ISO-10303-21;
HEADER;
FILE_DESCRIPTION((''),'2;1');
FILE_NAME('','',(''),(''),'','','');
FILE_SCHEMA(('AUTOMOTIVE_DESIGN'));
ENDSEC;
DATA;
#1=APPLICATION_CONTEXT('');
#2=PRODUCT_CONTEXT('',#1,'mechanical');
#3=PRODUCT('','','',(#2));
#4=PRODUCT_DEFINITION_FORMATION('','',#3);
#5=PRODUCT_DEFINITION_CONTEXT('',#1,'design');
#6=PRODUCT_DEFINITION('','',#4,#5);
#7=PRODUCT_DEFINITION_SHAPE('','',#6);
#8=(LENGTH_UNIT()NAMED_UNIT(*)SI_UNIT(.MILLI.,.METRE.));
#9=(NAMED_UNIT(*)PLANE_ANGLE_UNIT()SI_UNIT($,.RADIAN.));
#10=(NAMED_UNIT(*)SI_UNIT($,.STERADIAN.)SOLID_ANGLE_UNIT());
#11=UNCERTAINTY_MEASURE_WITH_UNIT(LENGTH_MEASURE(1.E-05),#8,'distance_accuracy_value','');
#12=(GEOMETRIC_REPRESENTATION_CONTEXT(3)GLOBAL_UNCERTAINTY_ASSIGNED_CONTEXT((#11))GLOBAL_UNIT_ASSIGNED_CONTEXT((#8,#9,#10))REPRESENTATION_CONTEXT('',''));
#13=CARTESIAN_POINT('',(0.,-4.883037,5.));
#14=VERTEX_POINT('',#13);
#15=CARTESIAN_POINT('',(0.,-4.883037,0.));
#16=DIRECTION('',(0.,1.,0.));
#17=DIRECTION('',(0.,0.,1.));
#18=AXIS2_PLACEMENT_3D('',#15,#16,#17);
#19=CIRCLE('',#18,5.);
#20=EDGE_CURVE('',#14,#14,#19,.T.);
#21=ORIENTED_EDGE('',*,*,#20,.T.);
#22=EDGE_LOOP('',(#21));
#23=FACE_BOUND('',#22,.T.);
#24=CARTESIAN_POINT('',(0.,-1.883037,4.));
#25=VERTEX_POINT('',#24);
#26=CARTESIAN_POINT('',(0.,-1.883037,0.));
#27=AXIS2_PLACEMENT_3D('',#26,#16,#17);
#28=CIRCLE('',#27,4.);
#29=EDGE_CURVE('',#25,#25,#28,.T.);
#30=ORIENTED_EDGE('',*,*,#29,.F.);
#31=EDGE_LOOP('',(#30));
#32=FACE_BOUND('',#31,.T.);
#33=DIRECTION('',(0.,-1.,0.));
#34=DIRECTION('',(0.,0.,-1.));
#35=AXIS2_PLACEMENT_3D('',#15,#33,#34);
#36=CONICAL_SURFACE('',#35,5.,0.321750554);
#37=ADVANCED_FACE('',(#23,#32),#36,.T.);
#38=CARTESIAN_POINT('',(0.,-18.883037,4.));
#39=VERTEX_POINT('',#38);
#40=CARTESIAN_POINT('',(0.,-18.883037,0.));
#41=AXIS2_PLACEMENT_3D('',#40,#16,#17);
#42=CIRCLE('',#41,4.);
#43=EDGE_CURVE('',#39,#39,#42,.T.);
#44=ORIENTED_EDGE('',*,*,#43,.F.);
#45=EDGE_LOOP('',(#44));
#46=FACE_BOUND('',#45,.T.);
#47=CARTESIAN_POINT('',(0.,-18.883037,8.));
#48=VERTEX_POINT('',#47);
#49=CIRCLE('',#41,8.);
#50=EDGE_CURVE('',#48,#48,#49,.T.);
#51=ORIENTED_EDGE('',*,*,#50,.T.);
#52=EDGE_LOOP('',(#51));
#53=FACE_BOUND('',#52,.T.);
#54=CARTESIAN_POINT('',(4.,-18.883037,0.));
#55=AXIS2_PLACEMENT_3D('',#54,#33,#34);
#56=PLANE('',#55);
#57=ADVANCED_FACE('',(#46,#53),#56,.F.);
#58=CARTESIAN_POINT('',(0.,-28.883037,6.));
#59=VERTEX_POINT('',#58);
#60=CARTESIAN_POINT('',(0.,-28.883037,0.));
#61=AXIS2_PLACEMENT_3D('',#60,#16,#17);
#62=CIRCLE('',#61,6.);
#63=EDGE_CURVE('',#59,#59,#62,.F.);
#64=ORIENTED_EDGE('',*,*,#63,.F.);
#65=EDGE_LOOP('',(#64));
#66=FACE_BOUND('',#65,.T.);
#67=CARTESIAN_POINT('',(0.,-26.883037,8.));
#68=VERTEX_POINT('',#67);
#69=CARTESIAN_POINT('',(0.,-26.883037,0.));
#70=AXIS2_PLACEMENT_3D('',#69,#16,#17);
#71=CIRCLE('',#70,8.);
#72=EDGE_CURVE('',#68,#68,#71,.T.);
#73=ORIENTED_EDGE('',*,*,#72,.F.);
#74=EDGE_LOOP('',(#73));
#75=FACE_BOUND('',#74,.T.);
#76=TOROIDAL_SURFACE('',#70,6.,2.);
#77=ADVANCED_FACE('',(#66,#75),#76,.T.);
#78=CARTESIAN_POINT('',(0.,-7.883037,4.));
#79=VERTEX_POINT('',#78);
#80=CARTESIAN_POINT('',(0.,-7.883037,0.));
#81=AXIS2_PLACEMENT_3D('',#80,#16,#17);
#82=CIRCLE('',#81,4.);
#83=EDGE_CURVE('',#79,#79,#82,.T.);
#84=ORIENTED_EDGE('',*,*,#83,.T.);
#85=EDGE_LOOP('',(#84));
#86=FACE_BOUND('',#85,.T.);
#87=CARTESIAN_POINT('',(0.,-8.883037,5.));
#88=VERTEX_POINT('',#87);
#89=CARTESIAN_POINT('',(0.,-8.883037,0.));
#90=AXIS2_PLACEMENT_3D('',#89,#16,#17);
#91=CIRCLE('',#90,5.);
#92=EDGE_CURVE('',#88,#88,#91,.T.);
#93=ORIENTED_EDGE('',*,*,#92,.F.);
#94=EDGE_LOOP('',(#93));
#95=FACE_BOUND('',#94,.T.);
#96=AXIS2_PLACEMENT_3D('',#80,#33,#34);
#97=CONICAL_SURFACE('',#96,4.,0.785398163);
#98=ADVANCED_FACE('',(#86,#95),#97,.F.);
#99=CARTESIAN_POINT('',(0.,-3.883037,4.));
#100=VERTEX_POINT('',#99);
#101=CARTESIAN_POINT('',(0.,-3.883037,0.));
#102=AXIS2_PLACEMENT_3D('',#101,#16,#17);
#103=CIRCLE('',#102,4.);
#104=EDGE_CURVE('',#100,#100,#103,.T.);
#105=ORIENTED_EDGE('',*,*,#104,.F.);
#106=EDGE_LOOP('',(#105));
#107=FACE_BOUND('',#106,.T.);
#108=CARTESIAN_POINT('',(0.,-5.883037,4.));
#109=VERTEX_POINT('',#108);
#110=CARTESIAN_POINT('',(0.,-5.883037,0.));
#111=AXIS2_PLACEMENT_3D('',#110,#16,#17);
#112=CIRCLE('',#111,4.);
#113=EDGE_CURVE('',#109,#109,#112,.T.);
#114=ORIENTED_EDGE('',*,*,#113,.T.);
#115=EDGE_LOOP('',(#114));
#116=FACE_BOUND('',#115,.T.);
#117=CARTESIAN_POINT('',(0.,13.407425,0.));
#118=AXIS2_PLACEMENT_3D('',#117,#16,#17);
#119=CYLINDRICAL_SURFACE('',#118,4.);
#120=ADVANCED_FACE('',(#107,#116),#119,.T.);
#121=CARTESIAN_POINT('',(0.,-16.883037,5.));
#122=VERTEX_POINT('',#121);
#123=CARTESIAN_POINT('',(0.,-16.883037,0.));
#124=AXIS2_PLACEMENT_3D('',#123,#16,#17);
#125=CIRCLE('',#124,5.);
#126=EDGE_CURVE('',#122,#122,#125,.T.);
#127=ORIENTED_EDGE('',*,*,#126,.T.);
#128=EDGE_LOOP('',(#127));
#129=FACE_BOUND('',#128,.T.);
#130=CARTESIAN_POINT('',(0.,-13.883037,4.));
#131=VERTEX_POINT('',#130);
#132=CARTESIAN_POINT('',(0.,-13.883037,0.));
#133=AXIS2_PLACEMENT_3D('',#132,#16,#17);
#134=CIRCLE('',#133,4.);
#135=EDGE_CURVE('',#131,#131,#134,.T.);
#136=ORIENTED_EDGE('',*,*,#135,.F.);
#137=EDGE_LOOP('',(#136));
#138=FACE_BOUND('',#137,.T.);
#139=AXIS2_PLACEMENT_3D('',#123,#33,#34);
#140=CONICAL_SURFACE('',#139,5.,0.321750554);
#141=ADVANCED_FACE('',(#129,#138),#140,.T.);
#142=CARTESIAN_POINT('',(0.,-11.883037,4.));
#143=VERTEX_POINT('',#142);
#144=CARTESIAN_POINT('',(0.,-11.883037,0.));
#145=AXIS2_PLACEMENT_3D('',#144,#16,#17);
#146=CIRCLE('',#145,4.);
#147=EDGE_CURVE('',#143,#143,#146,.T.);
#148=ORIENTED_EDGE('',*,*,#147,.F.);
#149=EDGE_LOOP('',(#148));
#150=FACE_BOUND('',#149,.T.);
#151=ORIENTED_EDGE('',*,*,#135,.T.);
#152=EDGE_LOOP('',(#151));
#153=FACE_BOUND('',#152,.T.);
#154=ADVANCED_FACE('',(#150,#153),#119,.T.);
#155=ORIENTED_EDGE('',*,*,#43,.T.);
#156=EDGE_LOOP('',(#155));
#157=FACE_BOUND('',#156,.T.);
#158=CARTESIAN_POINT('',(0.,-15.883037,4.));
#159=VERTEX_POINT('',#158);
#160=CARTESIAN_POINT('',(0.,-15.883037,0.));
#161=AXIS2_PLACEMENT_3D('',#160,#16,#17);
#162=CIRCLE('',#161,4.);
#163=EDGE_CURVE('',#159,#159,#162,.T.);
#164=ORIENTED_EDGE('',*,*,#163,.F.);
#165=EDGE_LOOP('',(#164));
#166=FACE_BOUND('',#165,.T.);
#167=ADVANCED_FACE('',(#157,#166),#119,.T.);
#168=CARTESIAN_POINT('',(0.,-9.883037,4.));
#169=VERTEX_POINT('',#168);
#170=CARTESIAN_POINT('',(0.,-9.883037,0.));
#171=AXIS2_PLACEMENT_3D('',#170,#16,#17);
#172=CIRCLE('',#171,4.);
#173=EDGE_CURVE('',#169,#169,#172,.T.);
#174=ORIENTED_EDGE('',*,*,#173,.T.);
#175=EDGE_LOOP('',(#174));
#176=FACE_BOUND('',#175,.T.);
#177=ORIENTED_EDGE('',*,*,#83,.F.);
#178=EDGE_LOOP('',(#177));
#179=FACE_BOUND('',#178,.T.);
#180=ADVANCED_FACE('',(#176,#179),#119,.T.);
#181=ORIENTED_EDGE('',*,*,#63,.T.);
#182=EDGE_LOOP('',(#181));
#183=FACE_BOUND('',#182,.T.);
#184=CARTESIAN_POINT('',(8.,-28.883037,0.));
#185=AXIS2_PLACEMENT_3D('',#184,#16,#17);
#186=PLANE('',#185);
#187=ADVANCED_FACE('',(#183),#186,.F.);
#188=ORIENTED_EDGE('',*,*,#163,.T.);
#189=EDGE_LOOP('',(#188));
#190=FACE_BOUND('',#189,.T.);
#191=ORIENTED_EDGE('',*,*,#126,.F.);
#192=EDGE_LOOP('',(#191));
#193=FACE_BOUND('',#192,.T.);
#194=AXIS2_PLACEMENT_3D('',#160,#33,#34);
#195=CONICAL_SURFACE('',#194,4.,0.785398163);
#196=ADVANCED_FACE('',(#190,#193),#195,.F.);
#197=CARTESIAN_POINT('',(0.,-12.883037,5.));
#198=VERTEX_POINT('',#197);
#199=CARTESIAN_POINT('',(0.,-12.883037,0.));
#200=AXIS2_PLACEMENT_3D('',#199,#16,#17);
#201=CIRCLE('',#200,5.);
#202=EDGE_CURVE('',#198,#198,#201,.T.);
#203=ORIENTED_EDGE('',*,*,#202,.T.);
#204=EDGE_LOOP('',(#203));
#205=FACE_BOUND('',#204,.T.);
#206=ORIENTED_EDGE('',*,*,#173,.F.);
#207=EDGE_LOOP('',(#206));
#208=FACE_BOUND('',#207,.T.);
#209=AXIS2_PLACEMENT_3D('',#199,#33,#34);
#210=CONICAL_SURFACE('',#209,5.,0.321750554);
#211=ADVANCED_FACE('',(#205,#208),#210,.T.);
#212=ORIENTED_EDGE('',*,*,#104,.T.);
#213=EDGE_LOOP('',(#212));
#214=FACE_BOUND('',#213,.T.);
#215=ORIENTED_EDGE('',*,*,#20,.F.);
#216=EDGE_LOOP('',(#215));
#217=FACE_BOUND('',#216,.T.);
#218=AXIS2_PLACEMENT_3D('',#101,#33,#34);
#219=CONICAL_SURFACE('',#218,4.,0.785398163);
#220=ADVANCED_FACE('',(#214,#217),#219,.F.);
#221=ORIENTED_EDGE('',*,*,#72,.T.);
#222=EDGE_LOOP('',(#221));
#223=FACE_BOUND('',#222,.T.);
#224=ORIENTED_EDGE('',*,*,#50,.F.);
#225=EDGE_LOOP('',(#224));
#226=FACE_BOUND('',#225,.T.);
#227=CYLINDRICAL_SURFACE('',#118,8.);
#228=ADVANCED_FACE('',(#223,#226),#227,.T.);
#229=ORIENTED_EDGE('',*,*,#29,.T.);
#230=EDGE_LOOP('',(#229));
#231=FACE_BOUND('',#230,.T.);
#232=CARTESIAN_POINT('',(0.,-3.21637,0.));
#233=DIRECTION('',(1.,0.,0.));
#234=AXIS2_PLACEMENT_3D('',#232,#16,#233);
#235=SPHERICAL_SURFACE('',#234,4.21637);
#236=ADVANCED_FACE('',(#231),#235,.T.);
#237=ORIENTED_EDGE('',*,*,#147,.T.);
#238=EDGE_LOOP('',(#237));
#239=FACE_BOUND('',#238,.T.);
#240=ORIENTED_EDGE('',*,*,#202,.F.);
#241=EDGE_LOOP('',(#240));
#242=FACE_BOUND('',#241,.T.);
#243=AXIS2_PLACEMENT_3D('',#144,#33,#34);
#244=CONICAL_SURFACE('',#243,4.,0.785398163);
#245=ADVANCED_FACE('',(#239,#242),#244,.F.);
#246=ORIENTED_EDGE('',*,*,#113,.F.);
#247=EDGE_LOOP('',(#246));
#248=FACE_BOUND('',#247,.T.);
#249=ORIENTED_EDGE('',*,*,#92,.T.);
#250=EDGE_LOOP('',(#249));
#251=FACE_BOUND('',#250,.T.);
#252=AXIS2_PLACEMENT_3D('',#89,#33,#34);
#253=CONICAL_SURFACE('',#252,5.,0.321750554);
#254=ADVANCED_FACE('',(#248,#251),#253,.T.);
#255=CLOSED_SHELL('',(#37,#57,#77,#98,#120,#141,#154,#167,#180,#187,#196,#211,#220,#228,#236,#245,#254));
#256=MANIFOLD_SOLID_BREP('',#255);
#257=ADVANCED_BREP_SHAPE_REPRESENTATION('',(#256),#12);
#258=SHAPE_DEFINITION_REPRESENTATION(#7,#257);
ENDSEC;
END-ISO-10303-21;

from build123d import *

# Parameters (mm, degrees)
FILLET_1_R = 2


with BuildPart() as part:
    # 草图1 → 旋转1 (revolve)
    with BuildSketch(Plane.XY, mode=Mode.PRIVATE) as revolve_1_sk:
        with BuildLine():
            Line((0, 1), (0, -28.88303688))
            Line((0, -28.88303688), (8, -28.88303688))
            Line((8, -28.88303688), (8, -18.88303688))
            Line((8, -18.88303688), (4, -18.88303688))
            Line((4, -18.88303688), (4, -15.88303688))
            Line((4, -15.88303688), (5, -16.88303688))
            Line((5, -16.88303688), (4, -13.88303688))
            Line((4, -13.88303688), (4, -11.88303688))
            Line((4, -11.88303688), (5, -12.88303688))
            Line((5, -12.88303688), (4, -9.88303688))
            Line((4, -9.88303688), (4, -7.88303688))
            Line((4, -7.88303688), (5, -8.88303688))
            Line((5, -8.88303688), (4, -5.88303688))
            Line((4, -5.88303688), (4, -3.88303688))
            Line((4, -3.88303688), (5, -4.88303688))
            Line((5, -4.88303688), (4, -1.88303688))
            ThreePointArc((4, -1.88303688), (2.465355028, 0.204127172), (0, 1))
        make_face()
    revolve(revolve_1_sk.sketch.rotate(Axis((0, 13.407424858, 0), (0, -1, 0)), 90), axis=Axis((0, 13.407424858, 0), (0, -1, 0)))

    # 圆角1
    fillet_1_edges = [part.edges().sort_by_distance(p)[0] for p in [
        (0, -28.88303688, -8),
    ]]
    fillet(fillet_1_edges, radius=FILLET_1_R)


solid = part.part
